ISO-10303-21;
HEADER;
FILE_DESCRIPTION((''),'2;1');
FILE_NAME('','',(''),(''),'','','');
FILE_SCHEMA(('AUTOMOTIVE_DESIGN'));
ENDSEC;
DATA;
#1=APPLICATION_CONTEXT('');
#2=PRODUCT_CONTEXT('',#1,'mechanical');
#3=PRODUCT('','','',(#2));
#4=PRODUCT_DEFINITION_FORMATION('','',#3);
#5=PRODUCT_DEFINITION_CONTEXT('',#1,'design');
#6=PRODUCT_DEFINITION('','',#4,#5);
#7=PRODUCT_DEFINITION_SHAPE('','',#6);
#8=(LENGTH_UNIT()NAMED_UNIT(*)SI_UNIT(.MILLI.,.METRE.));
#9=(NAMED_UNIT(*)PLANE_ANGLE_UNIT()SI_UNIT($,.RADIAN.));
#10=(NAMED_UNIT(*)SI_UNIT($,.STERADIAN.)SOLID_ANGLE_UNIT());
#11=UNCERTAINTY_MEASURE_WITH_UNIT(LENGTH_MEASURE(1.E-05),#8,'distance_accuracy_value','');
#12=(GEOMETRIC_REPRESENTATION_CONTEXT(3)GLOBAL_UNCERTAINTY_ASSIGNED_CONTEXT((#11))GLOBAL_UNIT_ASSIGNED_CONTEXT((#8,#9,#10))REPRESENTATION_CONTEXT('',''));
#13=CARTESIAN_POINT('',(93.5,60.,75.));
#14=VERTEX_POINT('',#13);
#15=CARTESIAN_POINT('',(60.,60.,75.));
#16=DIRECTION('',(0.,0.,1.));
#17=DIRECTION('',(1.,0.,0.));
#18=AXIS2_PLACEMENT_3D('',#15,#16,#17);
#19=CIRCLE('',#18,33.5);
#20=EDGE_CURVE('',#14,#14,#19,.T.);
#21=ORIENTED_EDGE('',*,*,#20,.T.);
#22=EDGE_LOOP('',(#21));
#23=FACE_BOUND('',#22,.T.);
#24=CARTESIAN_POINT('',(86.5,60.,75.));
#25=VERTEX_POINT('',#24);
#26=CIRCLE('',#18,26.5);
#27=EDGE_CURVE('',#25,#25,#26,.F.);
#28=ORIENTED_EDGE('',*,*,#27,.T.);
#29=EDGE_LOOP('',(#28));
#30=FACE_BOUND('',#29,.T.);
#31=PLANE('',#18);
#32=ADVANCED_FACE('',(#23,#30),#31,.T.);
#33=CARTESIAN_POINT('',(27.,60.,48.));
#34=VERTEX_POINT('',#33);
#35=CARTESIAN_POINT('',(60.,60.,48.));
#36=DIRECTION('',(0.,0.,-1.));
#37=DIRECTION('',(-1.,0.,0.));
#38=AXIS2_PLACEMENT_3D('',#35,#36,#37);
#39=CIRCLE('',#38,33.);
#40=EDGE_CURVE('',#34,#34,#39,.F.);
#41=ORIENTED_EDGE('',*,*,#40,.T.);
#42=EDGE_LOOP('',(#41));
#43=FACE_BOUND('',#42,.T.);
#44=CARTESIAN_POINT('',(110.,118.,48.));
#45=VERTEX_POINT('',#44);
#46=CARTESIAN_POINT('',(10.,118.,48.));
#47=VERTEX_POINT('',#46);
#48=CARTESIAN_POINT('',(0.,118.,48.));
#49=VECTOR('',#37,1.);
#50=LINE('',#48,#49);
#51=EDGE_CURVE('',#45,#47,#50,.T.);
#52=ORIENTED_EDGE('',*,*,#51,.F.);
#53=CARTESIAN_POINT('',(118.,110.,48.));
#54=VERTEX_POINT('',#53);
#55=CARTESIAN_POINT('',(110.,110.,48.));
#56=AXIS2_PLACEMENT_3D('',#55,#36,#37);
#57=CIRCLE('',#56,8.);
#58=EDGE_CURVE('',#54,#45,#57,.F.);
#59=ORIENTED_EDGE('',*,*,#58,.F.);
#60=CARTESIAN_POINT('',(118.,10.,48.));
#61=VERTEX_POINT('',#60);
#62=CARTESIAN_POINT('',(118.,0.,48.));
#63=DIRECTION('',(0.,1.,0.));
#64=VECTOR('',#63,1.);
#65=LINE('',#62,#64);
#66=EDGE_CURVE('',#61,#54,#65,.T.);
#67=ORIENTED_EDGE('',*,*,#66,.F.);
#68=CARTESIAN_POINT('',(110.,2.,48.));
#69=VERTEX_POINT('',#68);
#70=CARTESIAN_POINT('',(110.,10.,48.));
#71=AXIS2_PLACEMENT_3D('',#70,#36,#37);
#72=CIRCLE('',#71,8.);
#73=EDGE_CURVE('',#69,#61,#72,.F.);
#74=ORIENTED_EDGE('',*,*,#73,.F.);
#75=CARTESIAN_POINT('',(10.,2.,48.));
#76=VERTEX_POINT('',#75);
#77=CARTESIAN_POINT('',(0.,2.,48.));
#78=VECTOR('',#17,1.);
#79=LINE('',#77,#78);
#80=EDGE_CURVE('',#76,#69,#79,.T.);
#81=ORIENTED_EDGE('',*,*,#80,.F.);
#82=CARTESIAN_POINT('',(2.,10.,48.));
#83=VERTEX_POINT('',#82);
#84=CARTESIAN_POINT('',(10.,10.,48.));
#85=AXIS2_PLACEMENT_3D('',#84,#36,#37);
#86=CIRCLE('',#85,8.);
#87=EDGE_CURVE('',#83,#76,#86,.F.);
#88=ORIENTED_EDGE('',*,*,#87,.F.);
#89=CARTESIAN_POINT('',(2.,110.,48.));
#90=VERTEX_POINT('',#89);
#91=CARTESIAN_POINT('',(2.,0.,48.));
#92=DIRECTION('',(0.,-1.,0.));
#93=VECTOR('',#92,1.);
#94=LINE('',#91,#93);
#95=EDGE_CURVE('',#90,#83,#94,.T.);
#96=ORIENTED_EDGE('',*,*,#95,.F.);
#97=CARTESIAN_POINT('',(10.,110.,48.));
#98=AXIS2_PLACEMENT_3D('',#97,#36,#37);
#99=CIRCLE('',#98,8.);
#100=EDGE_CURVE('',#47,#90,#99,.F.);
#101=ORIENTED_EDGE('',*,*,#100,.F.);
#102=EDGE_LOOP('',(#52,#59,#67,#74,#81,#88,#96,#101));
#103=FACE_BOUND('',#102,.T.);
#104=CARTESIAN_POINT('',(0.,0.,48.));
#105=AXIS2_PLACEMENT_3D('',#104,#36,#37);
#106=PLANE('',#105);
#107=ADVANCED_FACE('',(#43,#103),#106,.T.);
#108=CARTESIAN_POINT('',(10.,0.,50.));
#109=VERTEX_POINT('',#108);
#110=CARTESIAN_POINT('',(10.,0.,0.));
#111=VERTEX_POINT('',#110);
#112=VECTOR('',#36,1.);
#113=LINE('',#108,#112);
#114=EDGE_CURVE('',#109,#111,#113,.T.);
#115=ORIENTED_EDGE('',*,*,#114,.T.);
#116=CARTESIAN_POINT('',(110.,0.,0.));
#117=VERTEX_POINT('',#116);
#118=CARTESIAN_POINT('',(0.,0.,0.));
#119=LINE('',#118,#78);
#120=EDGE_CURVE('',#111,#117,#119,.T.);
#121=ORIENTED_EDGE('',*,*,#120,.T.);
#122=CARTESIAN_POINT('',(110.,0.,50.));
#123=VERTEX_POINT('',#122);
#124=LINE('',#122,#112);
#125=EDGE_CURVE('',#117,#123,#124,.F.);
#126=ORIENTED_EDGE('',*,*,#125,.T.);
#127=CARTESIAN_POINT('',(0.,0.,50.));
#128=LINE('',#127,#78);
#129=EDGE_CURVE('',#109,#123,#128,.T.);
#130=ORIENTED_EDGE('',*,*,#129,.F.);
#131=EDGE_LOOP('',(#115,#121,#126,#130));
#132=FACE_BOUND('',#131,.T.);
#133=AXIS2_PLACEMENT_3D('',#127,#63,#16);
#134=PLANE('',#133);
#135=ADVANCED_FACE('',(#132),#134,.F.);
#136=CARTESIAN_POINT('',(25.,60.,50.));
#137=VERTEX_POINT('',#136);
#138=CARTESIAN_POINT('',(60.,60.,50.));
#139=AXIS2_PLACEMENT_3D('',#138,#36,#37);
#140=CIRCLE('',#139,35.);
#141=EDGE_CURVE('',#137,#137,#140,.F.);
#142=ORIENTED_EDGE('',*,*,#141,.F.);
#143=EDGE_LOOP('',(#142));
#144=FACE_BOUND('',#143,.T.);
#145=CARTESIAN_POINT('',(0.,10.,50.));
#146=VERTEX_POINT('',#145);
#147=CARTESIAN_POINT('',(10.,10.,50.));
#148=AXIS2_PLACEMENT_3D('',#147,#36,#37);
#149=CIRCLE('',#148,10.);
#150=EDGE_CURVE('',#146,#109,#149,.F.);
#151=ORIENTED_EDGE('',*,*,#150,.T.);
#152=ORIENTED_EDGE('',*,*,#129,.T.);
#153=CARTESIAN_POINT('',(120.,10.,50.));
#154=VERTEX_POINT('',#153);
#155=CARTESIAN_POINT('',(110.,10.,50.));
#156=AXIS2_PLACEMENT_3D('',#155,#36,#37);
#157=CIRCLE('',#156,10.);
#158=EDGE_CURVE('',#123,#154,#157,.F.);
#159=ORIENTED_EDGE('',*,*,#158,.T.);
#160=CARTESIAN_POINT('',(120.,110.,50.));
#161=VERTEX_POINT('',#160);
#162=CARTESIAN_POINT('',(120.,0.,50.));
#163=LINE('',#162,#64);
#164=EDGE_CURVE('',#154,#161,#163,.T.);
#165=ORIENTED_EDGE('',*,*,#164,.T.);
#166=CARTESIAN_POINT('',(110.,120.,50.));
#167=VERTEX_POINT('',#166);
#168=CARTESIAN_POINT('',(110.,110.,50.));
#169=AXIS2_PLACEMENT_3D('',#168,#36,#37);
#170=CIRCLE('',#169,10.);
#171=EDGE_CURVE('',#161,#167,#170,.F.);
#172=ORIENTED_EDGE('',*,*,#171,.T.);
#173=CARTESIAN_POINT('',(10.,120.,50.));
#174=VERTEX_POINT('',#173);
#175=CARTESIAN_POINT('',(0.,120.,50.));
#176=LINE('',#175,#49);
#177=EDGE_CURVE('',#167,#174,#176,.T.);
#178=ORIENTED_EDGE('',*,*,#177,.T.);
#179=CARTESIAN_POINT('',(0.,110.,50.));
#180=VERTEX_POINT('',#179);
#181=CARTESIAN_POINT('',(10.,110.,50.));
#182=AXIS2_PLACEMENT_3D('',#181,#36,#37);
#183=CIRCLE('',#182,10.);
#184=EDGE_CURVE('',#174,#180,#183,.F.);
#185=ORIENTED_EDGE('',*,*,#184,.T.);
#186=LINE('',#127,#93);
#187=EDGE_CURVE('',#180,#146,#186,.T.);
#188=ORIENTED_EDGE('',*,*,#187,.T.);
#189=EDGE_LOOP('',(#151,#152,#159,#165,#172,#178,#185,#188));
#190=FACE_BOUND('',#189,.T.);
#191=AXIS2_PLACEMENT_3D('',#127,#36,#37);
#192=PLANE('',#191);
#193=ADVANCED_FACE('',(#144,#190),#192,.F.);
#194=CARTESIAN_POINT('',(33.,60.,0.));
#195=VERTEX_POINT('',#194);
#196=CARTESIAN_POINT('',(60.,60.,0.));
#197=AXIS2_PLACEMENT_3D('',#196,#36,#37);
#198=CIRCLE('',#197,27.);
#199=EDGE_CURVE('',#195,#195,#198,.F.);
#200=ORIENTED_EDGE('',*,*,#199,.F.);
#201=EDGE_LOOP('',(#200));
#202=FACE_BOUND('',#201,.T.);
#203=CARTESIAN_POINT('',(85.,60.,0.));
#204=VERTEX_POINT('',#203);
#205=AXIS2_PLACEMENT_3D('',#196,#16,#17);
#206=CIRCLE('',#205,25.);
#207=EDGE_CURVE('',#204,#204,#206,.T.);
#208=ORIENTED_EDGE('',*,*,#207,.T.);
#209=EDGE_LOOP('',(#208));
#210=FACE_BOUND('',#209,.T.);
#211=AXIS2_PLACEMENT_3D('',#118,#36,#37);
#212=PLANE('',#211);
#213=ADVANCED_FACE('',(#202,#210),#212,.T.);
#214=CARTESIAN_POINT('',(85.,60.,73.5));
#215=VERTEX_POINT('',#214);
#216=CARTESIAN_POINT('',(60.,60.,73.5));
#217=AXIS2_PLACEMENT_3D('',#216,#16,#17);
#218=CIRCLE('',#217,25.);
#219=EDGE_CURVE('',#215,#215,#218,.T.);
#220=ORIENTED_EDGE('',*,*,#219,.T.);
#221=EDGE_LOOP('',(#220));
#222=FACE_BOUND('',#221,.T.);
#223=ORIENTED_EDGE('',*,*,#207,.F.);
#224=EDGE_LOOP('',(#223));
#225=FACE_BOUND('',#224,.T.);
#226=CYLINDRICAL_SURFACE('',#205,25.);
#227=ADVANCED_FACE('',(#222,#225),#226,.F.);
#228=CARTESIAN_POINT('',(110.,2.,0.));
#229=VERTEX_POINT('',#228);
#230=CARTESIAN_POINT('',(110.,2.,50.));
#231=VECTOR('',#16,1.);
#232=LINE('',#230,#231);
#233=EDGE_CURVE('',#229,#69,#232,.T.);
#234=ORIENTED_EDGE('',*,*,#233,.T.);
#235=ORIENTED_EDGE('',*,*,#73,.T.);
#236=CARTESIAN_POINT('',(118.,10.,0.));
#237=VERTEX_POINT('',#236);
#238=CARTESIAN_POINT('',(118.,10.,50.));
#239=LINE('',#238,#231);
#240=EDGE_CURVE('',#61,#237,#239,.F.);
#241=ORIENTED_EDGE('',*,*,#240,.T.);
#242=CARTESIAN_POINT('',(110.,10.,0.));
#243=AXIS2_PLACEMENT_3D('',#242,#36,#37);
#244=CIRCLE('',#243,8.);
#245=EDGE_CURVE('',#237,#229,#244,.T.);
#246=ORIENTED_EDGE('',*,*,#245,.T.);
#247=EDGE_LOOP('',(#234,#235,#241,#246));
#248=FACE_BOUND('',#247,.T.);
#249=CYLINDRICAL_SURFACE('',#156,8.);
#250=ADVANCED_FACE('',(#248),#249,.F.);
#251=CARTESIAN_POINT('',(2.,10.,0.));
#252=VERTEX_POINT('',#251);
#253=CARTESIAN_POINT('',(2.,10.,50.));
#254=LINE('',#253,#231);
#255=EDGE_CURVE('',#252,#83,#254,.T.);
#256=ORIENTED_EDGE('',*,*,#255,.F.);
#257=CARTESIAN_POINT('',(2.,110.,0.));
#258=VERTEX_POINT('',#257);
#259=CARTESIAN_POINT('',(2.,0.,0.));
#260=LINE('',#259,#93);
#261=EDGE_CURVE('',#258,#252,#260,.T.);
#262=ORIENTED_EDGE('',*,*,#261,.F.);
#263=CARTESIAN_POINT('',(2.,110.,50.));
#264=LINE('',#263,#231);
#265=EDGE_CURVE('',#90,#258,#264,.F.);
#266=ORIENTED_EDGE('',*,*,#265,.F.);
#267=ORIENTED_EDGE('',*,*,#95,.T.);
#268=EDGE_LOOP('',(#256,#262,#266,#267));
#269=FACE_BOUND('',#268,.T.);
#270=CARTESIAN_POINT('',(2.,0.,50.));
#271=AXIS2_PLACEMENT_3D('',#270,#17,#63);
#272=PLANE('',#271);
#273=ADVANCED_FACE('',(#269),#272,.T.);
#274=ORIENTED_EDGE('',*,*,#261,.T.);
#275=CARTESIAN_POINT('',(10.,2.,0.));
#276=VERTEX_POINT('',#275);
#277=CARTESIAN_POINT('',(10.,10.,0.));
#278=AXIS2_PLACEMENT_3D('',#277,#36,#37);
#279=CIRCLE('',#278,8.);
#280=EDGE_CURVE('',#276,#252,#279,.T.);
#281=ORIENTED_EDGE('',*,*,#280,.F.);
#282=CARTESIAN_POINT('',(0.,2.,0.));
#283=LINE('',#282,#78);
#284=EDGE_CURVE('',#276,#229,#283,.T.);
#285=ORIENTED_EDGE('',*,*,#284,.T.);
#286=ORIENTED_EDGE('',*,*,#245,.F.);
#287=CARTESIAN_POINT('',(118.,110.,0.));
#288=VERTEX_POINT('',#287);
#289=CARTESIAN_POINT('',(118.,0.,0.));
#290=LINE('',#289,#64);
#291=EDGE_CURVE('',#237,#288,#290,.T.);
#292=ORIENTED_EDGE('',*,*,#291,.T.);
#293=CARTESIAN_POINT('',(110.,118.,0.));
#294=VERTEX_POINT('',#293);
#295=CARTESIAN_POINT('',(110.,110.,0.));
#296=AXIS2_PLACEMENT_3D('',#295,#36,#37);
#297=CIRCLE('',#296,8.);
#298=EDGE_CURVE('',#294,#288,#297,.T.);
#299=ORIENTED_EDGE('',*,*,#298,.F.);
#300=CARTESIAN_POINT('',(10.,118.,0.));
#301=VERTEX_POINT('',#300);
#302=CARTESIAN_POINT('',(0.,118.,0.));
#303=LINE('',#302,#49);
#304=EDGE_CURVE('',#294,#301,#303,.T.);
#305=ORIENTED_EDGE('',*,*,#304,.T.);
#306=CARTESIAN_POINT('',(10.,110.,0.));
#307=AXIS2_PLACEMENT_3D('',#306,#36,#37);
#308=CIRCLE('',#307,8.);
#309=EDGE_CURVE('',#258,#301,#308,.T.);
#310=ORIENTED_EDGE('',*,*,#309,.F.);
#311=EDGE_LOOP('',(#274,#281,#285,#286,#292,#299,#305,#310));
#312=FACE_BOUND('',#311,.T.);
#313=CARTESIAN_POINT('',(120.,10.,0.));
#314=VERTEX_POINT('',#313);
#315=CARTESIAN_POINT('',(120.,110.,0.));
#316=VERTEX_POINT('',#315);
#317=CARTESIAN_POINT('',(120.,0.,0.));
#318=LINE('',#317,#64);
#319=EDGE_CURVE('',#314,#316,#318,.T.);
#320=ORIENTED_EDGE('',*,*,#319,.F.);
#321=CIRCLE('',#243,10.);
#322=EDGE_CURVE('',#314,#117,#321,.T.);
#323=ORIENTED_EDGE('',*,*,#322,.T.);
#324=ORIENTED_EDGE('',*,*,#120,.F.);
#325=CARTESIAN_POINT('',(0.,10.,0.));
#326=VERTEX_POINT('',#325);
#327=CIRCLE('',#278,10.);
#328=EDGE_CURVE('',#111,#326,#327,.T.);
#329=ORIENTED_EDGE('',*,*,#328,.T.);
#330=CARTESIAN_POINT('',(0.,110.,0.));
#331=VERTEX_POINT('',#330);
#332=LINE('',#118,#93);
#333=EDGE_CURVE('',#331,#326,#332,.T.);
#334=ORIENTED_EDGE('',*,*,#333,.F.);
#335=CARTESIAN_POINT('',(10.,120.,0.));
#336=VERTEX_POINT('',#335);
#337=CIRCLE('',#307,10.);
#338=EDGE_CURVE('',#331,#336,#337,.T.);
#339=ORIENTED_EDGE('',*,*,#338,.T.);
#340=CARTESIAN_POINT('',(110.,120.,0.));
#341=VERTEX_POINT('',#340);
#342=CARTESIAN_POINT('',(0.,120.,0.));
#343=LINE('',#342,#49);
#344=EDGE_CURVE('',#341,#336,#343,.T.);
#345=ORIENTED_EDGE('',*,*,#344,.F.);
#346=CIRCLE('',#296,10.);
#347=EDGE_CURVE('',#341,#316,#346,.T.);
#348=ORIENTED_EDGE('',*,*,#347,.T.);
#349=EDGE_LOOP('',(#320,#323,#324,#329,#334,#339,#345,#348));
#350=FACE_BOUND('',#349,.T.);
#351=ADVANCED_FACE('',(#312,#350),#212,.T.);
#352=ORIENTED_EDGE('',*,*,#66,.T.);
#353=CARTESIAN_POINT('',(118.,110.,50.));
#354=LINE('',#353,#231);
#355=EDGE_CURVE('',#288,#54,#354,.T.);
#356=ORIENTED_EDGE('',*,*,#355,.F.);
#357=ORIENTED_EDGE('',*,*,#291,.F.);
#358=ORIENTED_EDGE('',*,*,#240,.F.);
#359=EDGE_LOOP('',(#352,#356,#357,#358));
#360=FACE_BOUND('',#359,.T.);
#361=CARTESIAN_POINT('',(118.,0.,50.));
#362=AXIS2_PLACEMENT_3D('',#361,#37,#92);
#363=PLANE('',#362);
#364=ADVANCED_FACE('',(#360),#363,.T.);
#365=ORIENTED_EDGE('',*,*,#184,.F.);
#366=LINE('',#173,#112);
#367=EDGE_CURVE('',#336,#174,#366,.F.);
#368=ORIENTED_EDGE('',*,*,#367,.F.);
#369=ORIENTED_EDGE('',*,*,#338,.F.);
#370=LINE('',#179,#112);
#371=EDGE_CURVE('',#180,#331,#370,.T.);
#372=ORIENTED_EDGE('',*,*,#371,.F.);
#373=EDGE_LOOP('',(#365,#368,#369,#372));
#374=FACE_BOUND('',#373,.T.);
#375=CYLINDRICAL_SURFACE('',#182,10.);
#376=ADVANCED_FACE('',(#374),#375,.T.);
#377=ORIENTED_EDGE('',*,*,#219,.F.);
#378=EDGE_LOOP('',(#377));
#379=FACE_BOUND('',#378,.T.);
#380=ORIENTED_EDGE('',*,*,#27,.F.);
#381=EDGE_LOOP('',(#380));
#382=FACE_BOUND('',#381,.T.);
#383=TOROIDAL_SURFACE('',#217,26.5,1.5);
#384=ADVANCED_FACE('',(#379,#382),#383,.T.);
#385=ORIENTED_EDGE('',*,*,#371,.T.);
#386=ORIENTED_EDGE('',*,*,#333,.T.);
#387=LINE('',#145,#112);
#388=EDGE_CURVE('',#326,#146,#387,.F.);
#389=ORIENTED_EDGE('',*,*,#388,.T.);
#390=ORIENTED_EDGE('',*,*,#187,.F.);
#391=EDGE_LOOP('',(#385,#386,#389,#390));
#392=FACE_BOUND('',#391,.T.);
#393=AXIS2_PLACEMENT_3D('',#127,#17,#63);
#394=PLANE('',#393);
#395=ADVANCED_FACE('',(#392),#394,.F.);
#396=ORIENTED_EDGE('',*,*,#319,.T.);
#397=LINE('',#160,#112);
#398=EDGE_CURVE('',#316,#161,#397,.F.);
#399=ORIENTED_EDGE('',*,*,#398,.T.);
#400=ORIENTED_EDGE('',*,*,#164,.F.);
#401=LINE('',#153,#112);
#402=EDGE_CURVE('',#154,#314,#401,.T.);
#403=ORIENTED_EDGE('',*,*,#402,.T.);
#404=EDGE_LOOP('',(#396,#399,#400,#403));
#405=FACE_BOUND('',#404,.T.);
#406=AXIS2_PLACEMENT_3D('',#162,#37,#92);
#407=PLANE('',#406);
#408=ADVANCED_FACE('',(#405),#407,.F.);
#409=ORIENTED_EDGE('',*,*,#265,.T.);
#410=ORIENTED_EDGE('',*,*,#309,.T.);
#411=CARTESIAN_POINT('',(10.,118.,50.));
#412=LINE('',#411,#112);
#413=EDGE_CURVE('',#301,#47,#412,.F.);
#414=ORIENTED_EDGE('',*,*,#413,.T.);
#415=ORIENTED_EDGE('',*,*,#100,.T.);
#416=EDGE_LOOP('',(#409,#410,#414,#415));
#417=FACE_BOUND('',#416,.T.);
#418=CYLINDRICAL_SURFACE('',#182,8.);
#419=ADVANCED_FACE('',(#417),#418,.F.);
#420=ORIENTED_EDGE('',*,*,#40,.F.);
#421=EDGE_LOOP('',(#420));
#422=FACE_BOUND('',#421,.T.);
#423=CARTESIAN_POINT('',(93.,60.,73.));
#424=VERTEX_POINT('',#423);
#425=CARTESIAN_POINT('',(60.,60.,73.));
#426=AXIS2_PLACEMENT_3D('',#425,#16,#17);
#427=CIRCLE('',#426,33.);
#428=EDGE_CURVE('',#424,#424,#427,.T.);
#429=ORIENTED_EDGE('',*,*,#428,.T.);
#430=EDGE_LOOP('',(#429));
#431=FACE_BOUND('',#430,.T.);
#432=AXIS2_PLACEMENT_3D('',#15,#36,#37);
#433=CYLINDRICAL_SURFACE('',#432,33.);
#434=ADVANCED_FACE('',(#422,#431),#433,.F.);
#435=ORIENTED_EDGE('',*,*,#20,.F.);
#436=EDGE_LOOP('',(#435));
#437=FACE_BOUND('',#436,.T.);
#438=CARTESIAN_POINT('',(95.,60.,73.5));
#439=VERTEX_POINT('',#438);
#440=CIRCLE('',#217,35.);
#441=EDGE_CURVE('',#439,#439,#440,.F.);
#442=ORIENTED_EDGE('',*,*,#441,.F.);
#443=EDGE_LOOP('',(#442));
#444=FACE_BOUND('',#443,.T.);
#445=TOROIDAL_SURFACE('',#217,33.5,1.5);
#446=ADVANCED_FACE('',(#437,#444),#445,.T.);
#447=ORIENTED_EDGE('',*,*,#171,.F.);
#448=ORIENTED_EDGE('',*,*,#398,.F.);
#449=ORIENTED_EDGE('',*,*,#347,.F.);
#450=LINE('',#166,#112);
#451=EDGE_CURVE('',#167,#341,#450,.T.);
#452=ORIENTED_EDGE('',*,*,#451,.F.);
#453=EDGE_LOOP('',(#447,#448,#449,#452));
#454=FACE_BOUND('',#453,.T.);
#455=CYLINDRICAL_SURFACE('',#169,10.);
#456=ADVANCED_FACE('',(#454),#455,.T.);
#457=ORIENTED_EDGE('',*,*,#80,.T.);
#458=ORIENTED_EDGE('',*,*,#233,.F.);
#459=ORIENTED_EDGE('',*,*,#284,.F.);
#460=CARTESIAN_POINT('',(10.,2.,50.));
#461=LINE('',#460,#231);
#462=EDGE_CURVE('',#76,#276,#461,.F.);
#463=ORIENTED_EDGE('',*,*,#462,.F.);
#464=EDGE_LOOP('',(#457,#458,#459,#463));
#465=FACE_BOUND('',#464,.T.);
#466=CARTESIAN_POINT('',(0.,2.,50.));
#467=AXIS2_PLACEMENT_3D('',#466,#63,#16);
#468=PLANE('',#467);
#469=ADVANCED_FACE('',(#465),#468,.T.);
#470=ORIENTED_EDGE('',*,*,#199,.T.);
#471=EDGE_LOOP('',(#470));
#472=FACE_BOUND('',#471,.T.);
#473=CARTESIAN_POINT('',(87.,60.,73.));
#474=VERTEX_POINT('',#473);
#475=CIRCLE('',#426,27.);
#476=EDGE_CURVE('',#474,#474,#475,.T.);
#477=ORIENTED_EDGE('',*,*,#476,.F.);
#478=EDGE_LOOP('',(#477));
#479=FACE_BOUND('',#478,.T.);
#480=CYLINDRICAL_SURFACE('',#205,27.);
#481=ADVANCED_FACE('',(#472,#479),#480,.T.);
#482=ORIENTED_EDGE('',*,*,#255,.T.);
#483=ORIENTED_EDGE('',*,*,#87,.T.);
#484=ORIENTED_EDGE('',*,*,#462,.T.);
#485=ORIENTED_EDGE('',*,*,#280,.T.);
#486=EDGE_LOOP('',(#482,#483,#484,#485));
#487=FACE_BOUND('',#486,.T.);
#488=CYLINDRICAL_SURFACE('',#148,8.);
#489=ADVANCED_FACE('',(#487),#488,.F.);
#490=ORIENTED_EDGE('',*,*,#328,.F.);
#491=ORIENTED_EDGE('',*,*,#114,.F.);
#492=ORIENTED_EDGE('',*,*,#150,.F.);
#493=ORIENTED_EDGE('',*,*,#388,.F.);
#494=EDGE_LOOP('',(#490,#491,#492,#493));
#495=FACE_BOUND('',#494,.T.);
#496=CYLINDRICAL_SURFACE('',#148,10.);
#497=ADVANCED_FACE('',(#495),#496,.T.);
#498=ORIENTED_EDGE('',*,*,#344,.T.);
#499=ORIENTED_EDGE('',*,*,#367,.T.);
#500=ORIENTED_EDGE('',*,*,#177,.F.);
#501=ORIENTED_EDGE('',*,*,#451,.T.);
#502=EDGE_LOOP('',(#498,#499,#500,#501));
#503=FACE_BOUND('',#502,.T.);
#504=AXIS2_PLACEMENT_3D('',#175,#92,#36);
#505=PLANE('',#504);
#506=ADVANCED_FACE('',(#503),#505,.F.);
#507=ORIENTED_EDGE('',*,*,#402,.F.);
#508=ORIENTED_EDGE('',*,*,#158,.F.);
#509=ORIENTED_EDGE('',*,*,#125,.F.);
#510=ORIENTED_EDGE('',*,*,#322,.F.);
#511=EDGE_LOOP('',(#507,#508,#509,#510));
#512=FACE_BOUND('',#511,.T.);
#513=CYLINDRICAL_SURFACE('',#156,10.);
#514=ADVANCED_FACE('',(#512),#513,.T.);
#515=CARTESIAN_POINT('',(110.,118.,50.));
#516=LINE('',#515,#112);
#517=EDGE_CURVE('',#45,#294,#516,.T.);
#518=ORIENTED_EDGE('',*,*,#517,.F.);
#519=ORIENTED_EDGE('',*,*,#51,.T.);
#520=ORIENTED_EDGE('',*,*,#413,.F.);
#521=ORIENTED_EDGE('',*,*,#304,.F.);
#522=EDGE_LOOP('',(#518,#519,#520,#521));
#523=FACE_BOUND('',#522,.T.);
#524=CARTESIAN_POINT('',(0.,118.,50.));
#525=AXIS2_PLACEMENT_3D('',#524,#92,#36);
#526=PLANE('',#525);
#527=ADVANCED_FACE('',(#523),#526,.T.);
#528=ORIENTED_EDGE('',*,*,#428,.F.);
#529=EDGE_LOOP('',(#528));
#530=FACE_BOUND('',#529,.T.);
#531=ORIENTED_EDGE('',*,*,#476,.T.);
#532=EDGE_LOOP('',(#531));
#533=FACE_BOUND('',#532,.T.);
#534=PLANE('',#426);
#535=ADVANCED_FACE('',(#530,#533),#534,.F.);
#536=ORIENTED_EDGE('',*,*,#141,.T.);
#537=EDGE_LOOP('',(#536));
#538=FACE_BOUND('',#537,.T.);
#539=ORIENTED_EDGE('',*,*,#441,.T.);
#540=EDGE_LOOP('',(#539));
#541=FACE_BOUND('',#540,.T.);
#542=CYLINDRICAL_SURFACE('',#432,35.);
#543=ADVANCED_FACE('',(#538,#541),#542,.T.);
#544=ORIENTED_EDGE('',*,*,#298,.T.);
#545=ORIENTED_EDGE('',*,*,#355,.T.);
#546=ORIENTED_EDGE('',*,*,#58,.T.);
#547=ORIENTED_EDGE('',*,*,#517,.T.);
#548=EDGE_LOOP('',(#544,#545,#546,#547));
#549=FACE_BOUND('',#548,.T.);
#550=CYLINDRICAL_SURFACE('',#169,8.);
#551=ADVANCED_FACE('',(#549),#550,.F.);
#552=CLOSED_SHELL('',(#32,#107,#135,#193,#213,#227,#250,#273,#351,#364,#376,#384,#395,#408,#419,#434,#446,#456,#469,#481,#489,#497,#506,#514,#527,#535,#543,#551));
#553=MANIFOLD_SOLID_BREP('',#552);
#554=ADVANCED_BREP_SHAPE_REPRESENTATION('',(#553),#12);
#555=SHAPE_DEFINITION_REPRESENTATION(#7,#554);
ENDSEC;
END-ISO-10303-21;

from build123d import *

# Parameters (mm, degrees)
SKETCH1_W           = 120
SKETCH1_H           = 120
BOSS_EXTRUDE1_DEPTH = 50
SKETCH2_R           = 35
BOSS_EXTRUDE2_DEPTH = 25
SKETCH3_R           = 25
CUT_EXTRUDE1_DEPTH  = 186.539753153
FILLET1_R           = 10
FILLET2_R           = 1.5
SHELL1_T            = -2


with BuildPart() as part:
    # Sketch1 → Boss-Extrude1 (new body)
    with BuildSketch(Plane.XY):
        with Locations((60, 60)):
            Rectangle(SKETCH1_W, SKETCH1_H)
    extrude(amount=BOSS_EXTRUDE1_DEPTH)

    # Sketch2 → Boss-Extrude2 (add)
    with BuildSketch(Plane.XY.offset(50)):
        with Locations(Location((60, 60, 0), (0, 0, 180))):
            Circle(SKETCH2_R)
    extrude(amount=BOSS_EXTRUDE2_DEPTH)

    # Sketch3 → Cut-Extrude1 (cut, through all)
    with BuildSketch(Plane.XY.offset(75)):
        with Locations((60, 60)):
            Circle(SKETCH3_R)
    extrude(amount=-CUT_EXTRUDE1_DEPTH, mode=Mode.SUBTRACT)

    # Fillet1
    fillet1_edges = [part.edges().sort_by_distance(p)[0] for p in [
        (0, 120, 25),
        (120, 120, 25),
        (120, 0, 25),
        (0, 0, 25),
    ]]
    fillet(fillet1_edges, radius=FILLET1_R)

    # Fillet2
    fillet2_edges = [part.edges().sort_by_distance(p)[0] for p in [
        (95, 60, 75),
        (35, 60, 75),
    ]]
    fillet(fillet2_edges, radius=FILLET2_R)

    # Shell1
    shell1_openings = [part.faces().sort_by_distance(p)[0] for p in [
        (60, 1.697056275, 0),
    ]]
    offset(amount=SHELL1_T, openings=shell1_openings, kind=Kind.INTERSECTION)


solid = part.part
